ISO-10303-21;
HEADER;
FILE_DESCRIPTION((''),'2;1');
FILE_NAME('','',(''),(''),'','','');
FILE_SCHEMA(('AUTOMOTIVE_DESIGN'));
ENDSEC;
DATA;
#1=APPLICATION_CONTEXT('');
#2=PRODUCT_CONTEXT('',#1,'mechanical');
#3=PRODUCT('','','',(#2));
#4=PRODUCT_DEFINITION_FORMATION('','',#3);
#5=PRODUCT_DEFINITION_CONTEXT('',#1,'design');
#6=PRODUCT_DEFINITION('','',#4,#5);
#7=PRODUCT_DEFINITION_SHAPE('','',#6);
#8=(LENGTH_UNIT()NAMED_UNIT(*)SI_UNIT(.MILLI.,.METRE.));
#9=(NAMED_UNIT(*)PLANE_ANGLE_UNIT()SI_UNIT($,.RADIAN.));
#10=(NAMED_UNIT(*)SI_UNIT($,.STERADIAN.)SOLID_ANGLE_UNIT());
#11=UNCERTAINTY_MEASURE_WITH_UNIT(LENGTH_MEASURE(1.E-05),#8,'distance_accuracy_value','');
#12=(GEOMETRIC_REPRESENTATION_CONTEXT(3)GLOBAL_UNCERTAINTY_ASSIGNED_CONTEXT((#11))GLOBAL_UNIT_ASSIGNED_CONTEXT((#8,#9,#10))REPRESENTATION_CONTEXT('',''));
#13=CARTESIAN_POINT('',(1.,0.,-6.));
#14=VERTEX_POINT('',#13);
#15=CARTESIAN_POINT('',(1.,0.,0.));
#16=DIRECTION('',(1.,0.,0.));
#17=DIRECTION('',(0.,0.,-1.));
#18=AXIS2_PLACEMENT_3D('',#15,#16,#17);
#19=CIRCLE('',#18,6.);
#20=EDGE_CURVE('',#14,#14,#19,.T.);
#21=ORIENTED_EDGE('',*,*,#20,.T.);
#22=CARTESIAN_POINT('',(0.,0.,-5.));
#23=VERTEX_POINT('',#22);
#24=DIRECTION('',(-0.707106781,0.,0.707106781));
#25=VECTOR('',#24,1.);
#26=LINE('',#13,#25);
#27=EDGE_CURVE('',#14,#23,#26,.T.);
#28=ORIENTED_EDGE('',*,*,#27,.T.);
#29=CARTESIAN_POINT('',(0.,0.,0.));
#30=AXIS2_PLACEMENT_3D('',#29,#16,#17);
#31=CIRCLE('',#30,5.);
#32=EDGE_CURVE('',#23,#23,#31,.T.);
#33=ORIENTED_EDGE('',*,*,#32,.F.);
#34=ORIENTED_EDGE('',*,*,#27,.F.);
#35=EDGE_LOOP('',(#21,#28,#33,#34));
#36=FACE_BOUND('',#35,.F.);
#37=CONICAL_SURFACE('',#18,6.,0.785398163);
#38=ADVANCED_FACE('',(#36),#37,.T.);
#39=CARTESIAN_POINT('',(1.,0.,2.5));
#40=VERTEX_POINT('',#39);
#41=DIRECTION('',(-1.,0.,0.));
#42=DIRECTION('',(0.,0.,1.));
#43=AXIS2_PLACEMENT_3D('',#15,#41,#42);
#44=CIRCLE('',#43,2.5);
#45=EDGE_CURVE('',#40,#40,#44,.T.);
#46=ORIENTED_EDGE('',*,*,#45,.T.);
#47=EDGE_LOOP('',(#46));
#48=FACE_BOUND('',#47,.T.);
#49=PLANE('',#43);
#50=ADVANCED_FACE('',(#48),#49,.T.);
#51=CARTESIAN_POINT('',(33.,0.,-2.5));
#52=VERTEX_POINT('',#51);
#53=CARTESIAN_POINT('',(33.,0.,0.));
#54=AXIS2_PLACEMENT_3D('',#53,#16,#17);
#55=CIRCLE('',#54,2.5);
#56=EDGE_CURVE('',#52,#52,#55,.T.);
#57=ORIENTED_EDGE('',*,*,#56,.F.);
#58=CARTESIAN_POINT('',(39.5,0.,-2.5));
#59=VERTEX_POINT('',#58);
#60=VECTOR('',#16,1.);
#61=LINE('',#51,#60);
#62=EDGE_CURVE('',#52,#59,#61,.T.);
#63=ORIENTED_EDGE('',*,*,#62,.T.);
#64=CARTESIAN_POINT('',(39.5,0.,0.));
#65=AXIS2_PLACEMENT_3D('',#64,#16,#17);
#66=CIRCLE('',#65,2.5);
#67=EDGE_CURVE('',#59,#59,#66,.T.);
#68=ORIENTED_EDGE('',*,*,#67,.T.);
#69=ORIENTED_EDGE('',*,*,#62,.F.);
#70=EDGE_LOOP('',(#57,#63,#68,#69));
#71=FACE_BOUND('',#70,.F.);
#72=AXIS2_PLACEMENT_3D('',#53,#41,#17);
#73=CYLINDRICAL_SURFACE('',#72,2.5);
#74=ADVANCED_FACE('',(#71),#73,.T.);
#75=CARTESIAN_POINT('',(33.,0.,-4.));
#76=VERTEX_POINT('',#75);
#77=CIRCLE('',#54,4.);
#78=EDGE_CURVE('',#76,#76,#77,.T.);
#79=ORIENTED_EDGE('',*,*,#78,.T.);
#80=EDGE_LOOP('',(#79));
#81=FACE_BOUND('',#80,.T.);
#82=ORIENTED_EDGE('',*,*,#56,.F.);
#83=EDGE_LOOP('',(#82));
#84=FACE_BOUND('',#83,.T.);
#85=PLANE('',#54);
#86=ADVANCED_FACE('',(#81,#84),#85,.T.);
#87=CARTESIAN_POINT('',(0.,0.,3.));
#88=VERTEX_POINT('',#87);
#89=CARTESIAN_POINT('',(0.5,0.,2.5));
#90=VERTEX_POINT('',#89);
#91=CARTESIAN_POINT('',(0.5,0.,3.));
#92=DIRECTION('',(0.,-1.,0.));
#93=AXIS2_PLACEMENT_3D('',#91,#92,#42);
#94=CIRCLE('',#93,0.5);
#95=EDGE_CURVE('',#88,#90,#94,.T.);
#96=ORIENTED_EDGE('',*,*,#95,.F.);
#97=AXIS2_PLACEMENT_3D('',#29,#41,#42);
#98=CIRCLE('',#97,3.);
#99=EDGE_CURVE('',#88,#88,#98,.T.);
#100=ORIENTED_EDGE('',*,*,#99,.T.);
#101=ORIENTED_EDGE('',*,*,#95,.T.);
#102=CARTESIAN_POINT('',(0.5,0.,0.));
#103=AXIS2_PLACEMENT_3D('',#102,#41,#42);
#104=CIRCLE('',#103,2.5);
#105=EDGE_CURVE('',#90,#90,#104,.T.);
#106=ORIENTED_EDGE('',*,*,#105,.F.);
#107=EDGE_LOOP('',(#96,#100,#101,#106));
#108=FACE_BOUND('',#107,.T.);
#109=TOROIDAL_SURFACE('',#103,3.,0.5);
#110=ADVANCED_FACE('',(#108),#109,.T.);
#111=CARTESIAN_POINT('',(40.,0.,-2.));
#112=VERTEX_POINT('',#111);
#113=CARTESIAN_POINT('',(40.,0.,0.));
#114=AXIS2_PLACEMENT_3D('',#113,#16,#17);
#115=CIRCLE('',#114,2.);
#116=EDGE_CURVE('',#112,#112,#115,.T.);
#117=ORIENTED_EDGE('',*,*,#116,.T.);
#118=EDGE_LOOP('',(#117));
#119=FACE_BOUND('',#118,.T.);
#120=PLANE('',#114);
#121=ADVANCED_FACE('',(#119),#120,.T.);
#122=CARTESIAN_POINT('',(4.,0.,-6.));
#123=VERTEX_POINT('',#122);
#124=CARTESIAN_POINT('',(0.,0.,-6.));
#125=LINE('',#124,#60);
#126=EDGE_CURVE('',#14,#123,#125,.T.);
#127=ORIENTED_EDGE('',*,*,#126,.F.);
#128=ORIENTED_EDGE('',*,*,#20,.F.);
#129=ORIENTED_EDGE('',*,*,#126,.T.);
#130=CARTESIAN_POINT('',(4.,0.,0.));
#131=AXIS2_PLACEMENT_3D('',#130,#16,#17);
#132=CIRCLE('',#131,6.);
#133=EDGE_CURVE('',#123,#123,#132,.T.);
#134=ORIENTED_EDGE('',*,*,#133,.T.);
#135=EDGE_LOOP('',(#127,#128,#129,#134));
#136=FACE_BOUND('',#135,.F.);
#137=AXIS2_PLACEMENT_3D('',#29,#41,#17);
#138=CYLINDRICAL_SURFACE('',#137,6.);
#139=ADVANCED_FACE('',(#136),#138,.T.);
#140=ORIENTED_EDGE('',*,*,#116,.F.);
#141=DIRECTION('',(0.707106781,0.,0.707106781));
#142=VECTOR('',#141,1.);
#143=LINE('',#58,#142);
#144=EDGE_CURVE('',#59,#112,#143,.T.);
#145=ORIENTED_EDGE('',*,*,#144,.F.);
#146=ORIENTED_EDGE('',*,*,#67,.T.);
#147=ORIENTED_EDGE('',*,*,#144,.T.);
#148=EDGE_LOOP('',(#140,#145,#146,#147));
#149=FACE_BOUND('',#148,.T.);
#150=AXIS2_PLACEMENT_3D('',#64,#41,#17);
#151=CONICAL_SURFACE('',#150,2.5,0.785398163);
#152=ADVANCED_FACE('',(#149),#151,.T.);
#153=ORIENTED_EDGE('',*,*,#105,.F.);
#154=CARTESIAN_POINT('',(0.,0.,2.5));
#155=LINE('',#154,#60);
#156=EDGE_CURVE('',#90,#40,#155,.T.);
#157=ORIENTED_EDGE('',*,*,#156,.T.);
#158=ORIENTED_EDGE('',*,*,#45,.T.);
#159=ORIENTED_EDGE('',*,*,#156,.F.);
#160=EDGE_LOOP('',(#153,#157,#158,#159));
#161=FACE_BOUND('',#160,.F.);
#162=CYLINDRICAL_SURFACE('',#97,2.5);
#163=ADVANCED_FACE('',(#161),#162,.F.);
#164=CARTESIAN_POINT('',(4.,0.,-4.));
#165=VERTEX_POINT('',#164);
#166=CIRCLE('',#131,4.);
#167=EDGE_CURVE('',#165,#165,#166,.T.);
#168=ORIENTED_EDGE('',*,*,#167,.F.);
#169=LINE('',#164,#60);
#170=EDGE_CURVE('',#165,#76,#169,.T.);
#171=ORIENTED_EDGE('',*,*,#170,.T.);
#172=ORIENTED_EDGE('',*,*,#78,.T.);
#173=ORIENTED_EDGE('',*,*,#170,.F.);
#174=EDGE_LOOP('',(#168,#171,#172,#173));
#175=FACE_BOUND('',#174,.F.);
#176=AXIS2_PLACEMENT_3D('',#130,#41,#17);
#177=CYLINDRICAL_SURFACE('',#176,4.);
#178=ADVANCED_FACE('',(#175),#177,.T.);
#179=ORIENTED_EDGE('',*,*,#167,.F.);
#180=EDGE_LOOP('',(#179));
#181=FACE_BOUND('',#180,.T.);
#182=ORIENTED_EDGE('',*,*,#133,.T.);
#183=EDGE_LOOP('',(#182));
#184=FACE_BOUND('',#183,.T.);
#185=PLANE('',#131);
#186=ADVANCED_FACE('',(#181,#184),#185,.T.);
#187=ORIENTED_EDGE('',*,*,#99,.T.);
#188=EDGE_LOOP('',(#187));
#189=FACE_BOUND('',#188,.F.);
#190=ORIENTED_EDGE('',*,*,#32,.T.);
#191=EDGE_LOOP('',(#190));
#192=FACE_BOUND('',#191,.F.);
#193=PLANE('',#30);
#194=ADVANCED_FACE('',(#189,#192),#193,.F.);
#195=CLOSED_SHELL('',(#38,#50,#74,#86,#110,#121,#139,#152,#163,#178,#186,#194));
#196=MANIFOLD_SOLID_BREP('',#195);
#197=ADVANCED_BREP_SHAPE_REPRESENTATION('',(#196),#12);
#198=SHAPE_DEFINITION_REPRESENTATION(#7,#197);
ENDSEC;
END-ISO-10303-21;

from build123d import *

# Parameters (mm, degrees)
SKETCH1_R           = 6
BOSS_EXTRUDE1_DEPTH = 4
SKETCH2_R           = 4
BOSS_EXTRUDE2_DEPTH = 29
SKETCH3_R           = 2.5
BOSS_EXTRUDE3_DEPTH = 7
CHAMFER1_SIZE       = 0.5
CHAMFER2_SIZE       = 1
SKETCH4_R           = 2.5
CUT_EXTRUDE1_DEPTH  = 1
FILLET1_R           = 0.5


with BuildPart() as part:
    # Sketch1 → Boss-Extrude1 (new body)
    with BuildSketch(Plane(origin=(0, 0, 0), x_dir=(0, 0, -1), z_dir=(1, 0, 0))):
        Circle(SKETCH1_R)
    extrude(amount=BOSS_EXTRUDE1_DEPTH)

    # Sketch2 → Boss-Extrude2 (add)
    with BuildSketch(Plane(origin=(4, 0, 0), x_dir=(0, 0, -1), z_dir=(1, 0, 0))):
        Circle(SKETCH2_R)
    extrude(amount=BOSS_EXTRUDE2_DEPTH)

    # Sketch3 → Boss-Extrude3 (add)
    with BuildSketch(Plane(origin=(33, 0, 0), x_dir=(0, 0, -1), z_dir=(1, 0, 0))):
        Circle(SKETCH3_R)
    extrude(amount=BOSS_EXTRUDE3_DEPTH)

    # Chamfer1
    chamfer1_edges = [part.edges().sort_by_distance(p)[0] for p in [
        (40, 0, 2.5),
    ]]
    chamfer(chamfer1_edges, length=CHAMFER1_SIZE)

    # Chamfer2
    chamfer2_edges = [part.edges().sort_by_distance(p)[0] for p in [
        (0, 0, 6),
    ]]
    chamfer(chamfer2_edges, length=CHAMFER2_SIZE)

    # Sketch4 → Cut-Extrude1 (cut)
    with BuildSketch(Plane.ZY):
        Circle(SKETCH4_R)
    extrude(amount=-CUT_EXTRUDE1_DEPTH, mode=Mode.SUBTRACT)

    # Fillet1
    fillet1_edges = [part.edges().sort_by_distance(p)[0] for p in [
        (0, 0, -2.5),
    ]]
    fillet(fillet1_edges, radius=FILLET1_R)


solid = part.part
